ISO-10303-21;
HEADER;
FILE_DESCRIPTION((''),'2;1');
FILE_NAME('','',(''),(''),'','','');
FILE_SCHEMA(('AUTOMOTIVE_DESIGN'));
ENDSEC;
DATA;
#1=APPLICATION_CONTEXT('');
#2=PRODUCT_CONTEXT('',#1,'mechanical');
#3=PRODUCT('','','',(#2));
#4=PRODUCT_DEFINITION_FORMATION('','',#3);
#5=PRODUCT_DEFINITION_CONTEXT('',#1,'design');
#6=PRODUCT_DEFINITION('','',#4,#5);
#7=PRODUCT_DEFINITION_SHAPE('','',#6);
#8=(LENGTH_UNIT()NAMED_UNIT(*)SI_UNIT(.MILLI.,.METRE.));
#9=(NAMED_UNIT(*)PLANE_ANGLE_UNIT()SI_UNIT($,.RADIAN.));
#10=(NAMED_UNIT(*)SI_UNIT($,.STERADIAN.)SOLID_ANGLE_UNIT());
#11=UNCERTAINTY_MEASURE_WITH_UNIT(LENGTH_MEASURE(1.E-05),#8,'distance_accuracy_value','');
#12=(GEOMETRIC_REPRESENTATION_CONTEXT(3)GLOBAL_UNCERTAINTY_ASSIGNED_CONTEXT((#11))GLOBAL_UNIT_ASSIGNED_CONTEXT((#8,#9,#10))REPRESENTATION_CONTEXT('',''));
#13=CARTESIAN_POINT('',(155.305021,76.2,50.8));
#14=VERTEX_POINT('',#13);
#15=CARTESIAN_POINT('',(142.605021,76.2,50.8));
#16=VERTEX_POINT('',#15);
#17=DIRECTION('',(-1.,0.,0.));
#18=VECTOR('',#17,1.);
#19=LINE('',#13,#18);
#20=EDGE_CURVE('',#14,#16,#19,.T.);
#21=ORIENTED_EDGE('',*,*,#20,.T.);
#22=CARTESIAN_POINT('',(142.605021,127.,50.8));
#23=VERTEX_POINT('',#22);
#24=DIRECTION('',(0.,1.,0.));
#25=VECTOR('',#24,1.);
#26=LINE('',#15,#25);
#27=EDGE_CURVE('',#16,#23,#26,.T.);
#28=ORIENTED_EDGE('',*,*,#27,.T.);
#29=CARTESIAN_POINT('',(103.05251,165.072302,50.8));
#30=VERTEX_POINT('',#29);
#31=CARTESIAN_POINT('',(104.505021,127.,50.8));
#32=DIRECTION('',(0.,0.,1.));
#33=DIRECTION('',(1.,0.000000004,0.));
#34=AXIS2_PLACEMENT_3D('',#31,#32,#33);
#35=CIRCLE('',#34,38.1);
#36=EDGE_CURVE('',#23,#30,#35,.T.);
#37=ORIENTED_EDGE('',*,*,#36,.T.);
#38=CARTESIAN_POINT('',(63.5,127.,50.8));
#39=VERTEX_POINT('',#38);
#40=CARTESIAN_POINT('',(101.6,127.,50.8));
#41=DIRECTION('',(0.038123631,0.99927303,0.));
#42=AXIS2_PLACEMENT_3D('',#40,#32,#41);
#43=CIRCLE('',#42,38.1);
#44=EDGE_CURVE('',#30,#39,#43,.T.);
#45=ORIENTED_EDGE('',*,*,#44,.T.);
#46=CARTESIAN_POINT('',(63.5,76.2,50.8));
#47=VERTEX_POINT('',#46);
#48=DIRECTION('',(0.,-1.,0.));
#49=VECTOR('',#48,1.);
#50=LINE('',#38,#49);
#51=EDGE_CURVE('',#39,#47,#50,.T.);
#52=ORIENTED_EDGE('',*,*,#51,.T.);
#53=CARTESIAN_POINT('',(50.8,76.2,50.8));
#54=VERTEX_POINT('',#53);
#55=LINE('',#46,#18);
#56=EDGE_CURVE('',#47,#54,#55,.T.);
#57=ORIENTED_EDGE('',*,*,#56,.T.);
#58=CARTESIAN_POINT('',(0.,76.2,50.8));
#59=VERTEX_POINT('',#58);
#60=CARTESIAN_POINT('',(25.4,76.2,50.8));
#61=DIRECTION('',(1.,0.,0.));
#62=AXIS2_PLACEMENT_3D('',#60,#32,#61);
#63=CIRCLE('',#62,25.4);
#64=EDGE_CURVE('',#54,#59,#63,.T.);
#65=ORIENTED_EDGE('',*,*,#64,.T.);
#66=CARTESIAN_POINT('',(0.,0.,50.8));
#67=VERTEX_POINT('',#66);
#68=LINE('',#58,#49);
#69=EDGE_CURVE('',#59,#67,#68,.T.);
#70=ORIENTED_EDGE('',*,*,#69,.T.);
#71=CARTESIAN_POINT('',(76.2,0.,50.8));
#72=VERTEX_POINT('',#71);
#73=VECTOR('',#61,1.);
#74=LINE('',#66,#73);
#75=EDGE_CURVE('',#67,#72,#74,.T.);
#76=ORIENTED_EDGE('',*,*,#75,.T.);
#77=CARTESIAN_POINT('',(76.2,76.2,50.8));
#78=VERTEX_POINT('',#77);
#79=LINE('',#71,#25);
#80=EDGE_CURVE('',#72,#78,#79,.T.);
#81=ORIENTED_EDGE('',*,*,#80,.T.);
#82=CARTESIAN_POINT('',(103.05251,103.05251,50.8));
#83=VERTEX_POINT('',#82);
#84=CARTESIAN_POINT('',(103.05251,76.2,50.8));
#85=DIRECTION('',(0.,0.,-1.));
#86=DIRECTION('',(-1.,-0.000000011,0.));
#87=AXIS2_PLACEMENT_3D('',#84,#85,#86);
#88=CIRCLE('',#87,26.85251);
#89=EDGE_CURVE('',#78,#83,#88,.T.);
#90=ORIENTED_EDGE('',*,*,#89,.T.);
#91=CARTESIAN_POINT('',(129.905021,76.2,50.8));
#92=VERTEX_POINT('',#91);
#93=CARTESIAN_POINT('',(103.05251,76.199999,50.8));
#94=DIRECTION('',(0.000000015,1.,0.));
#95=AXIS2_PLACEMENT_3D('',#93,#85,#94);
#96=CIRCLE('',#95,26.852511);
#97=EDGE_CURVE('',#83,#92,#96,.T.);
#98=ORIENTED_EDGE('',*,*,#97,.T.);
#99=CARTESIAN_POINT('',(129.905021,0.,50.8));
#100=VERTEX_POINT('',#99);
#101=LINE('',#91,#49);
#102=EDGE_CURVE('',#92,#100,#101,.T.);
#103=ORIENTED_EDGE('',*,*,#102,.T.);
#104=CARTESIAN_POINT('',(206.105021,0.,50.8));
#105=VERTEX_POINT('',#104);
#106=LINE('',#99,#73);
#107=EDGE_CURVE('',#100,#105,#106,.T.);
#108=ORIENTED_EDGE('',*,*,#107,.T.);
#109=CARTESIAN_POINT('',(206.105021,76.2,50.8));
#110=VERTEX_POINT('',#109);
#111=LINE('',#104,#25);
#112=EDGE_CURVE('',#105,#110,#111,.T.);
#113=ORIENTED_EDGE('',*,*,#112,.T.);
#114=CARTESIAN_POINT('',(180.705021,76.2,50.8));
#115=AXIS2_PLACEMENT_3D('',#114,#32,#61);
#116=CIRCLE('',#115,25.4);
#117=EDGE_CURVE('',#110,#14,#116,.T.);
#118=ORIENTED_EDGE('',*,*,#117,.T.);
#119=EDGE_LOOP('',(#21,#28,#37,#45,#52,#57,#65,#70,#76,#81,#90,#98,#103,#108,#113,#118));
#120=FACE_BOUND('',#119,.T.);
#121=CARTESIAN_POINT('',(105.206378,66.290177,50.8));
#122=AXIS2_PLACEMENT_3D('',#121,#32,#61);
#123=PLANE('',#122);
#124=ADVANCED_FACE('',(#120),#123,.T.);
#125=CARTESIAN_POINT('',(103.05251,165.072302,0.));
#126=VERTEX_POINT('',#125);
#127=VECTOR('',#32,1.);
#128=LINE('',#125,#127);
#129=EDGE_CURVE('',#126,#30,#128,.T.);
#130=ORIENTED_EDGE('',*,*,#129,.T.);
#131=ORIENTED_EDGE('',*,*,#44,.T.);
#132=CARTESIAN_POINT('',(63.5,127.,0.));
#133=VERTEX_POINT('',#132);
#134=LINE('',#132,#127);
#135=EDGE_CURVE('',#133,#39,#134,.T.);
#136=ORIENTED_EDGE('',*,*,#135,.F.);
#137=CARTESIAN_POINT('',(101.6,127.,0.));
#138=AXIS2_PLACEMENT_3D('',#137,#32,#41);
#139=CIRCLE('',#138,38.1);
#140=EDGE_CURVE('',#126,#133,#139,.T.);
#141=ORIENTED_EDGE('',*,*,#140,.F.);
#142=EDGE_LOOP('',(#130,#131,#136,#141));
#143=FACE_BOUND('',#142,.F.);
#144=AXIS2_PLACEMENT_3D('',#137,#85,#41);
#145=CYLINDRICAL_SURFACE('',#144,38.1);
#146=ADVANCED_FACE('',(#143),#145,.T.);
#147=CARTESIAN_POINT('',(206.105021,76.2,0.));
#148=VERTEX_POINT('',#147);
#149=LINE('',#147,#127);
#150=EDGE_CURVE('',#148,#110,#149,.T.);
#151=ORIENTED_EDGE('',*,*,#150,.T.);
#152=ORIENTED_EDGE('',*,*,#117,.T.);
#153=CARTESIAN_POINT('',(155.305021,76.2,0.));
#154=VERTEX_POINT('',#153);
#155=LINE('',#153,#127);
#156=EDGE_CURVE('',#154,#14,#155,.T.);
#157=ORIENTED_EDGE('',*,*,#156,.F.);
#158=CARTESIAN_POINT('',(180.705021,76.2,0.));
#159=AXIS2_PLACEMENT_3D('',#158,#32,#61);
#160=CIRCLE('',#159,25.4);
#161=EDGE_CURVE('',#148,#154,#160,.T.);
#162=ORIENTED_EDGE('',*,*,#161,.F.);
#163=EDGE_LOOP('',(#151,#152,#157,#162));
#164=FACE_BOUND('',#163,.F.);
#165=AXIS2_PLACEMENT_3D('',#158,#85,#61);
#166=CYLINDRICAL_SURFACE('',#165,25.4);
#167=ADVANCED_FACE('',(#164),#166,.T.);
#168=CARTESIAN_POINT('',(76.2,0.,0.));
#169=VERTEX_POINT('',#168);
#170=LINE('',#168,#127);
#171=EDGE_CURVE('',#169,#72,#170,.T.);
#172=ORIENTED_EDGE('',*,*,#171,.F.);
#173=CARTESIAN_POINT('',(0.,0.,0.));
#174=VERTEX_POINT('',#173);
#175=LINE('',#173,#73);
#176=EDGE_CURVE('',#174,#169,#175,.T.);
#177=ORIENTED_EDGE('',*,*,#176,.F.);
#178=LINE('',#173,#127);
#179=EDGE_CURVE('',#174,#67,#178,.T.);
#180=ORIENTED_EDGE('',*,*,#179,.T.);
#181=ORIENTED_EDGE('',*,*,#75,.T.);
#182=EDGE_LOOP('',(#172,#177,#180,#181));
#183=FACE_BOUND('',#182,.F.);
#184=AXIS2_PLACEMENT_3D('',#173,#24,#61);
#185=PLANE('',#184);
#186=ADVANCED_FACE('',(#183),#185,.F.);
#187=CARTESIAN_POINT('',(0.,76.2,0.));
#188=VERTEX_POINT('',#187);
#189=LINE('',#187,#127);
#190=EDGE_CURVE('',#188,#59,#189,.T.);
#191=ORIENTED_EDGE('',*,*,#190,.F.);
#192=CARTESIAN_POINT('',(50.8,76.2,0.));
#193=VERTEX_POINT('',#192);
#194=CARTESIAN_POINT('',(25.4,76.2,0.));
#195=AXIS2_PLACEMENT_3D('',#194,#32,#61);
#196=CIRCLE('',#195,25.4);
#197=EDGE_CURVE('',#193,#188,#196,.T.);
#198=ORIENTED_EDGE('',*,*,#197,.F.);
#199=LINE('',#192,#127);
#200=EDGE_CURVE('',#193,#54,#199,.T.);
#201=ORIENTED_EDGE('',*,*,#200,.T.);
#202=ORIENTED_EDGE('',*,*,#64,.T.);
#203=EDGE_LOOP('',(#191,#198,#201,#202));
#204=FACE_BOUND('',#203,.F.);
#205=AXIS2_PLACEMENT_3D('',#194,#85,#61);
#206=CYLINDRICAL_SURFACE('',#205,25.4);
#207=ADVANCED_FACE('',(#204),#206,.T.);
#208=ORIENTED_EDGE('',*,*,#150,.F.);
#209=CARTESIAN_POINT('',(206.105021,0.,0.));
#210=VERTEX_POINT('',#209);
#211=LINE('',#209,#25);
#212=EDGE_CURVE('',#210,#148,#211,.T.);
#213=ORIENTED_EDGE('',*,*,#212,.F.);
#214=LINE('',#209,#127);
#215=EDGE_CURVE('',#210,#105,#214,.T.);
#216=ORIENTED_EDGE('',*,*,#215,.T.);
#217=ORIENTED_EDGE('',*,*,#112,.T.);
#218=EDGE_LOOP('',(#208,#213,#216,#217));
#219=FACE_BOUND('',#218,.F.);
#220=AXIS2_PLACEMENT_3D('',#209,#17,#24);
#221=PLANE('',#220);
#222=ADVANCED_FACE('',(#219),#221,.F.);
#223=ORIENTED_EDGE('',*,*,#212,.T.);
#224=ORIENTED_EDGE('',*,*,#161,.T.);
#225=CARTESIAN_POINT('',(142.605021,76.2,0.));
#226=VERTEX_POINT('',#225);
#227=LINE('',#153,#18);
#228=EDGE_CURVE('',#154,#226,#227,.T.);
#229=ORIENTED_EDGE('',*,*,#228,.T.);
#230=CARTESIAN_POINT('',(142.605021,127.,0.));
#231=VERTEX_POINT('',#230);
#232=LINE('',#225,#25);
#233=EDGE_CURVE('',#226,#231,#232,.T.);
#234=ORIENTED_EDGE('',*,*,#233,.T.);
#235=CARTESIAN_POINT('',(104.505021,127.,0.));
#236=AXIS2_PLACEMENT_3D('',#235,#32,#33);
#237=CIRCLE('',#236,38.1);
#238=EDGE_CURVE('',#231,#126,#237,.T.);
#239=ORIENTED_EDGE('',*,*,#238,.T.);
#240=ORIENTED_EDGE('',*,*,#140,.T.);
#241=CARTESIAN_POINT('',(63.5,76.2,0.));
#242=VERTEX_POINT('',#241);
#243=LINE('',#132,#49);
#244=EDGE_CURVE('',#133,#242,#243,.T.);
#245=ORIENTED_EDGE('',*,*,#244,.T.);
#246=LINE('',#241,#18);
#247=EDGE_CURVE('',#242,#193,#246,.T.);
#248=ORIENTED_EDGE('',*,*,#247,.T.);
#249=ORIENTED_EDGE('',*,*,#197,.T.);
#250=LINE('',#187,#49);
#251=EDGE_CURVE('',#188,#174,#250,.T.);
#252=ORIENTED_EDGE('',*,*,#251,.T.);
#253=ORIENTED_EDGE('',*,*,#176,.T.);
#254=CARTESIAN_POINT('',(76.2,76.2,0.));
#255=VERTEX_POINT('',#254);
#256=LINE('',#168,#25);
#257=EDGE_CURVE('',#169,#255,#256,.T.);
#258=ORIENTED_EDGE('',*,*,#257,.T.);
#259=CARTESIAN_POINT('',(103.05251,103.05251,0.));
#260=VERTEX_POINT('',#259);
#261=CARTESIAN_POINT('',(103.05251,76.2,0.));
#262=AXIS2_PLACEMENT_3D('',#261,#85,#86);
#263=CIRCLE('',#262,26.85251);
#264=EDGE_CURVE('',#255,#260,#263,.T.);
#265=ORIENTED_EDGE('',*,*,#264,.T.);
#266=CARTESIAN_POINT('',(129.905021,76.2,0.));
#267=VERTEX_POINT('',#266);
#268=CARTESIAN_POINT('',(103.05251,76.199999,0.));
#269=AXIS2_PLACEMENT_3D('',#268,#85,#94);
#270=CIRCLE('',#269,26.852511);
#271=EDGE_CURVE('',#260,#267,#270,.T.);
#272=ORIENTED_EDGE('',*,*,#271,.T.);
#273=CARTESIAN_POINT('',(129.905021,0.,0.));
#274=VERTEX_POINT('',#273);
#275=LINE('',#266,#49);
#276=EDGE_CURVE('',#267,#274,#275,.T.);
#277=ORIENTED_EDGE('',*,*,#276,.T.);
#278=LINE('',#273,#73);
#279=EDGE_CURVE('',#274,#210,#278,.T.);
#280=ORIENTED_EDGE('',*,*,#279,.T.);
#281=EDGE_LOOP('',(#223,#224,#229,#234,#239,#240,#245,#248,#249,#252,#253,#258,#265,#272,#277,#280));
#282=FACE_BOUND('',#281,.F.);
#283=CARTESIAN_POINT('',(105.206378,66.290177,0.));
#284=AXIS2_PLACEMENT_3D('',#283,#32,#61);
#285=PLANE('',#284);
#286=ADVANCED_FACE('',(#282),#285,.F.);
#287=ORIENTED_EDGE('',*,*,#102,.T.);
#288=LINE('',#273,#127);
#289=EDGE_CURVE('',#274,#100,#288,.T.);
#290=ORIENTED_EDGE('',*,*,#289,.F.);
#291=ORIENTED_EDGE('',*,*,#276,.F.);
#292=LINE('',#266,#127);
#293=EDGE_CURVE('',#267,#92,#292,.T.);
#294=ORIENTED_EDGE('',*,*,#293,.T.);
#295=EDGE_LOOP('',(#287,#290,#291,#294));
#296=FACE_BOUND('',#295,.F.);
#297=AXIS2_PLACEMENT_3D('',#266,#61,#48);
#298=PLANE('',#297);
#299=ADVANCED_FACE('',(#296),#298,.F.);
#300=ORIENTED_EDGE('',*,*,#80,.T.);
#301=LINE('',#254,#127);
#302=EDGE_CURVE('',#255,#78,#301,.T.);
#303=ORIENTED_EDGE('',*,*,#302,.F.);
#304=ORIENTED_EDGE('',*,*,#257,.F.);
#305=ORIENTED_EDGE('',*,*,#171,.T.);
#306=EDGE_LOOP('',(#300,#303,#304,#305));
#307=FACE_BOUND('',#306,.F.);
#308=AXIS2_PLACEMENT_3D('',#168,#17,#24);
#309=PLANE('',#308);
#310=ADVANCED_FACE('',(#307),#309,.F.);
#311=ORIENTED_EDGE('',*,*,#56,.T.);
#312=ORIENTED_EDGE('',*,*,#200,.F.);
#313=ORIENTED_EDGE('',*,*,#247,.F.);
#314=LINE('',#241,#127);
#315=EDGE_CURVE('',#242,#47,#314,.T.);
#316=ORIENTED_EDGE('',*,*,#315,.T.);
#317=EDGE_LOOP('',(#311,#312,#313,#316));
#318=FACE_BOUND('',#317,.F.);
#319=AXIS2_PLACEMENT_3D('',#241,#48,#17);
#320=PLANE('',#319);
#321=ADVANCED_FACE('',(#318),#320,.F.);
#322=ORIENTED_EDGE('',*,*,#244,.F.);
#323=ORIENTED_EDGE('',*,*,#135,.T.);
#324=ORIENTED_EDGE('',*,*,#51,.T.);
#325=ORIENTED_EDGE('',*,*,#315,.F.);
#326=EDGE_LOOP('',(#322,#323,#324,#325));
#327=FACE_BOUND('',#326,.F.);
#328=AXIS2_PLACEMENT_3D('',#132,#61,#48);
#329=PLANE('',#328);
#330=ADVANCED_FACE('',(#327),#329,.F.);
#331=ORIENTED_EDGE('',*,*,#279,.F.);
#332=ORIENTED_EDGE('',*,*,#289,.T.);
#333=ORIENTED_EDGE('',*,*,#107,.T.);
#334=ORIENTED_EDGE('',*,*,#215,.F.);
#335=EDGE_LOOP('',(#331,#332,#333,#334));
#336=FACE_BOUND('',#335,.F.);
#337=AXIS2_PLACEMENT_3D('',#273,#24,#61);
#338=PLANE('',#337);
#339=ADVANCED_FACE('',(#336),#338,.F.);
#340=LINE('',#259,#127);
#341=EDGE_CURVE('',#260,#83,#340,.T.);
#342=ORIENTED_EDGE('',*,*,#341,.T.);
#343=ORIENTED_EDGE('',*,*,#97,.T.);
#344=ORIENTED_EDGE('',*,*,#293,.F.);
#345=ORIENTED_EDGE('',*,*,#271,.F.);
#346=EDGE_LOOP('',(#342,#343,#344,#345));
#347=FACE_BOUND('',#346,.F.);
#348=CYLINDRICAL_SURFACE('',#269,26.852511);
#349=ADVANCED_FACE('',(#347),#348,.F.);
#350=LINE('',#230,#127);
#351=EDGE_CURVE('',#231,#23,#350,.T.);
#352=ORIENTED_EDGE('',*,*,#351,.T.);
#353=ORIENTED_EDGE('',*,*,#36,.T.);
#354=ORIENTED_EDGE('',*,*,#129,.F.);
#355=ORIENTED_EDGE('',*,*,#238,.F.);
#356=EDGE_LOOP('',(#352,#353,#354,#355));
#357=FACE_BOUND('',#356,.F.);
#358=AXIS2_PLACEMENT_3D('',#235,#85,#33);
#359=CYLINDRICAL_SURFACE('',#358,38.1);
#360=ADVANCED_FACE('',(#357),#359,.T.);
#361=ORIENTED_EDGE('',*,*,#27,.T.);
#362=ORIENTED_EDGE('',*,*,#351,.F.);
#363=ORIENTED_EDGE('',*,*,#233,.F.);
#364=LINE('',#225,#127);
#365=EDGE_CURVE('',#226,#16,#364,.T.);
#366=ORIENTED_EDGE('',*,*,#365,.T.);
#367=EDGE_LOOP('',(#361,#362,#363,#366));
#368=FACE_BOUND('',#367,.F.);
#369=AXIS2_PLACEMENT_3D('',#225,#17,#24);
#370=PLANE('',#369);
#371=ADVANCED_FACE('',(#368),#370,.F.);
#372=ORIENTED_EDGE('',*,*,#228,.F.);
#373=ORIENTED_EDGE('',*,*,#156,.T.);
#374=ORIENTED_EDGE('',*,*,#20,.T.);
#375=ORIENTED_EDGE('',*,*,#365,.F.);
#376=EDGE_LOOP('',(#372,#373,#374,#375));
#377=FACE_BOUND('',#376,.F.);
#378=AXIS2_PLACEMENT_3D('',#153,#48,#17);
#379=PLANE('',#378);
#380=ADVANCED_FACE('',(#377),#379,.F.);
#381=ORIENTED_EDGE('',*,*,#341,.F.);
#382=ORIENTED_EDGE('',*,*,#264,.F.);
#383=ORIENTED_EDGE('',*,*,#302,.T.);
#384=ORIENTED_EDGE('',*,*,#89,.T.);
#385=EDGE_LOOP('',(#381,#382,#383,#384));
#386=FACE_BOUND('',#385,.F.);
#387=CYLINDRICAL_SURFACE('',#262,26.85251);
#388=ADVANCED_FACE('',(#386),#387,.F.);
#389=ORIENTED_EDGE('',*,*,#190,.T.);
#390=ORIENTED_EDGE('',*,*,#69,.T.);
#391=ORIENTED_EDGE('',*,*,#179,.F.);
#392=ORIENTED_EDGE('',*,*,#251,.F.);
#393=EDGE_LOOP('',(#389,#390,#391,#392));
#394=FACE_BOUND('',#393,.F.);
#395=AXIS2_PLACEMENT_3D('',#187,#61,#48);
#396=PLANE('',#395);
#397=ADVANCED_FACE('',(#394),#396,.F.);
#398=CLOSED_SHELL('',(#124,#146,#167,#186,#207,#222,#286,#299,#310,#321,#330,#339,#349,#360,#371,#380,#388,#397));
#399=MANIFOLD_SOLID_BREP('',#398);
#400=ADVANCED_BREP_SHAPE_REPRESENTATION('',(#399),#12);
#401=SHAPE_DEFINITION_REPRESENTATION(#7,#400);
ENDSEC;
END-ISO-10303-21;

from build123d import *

# Parameters (mm, degrees)
F1_DEPTH = 50.8


with BuildPart() as f1:
    # F0 (on Top) → F1 (new body)
    with BuildSketch(Plane.XY):
        with BuildLine():
            Line((0, 76.2), (0, 0))
            Line((0, 0), (76.2, 0))
            Line((76.2, 0), (76.2, 76.2))
            ThreePointArc((76.2, 76.2), (84.064918, 95.187592), (103.05251, 103.05251))
            ThreePointArc((103.05251, 103.05251), (122.040102, 95.187592), (129.905021, 76.2))
            Line((129.905021, 76.2), (129.905021, 0))
            Line((129.905021, 0), (206.105021, 0))
            Line((206.105021, 0), (206.105021, 76.2))
            ThreePointArc((206.105021, 76.2), (180.705021, 101.6), (155.305021, 76.2))
            Line((155.305021, 76.2), (142.605021, 76.2))
            Line((142.605021, 76.2), (142.605021, 127))
            ThreePointArc((142.605021, 127), (130.927259, 154.449505), (103.05251, 165.072302))
            ThreePointArc((103.05251, 165.072302), (75.177762, 154.449505), (63.5, 127))
            Line((63.5, 127), (63.5, 76.2))
            Line((63.5, 76.2), (50.8, 76.2))
            Line((50.8, 76.2), (0, 76.2))
        make_face()
        with BuildLine():
            ThreePointArc((50.8, 76.2), (25.4, 101.6), (0, 76.2))
            Line((0, 76.2), (50.8, 76.2))
        make_face()
    extrude(amount=F1_DEPTH)


solid = f1.part
